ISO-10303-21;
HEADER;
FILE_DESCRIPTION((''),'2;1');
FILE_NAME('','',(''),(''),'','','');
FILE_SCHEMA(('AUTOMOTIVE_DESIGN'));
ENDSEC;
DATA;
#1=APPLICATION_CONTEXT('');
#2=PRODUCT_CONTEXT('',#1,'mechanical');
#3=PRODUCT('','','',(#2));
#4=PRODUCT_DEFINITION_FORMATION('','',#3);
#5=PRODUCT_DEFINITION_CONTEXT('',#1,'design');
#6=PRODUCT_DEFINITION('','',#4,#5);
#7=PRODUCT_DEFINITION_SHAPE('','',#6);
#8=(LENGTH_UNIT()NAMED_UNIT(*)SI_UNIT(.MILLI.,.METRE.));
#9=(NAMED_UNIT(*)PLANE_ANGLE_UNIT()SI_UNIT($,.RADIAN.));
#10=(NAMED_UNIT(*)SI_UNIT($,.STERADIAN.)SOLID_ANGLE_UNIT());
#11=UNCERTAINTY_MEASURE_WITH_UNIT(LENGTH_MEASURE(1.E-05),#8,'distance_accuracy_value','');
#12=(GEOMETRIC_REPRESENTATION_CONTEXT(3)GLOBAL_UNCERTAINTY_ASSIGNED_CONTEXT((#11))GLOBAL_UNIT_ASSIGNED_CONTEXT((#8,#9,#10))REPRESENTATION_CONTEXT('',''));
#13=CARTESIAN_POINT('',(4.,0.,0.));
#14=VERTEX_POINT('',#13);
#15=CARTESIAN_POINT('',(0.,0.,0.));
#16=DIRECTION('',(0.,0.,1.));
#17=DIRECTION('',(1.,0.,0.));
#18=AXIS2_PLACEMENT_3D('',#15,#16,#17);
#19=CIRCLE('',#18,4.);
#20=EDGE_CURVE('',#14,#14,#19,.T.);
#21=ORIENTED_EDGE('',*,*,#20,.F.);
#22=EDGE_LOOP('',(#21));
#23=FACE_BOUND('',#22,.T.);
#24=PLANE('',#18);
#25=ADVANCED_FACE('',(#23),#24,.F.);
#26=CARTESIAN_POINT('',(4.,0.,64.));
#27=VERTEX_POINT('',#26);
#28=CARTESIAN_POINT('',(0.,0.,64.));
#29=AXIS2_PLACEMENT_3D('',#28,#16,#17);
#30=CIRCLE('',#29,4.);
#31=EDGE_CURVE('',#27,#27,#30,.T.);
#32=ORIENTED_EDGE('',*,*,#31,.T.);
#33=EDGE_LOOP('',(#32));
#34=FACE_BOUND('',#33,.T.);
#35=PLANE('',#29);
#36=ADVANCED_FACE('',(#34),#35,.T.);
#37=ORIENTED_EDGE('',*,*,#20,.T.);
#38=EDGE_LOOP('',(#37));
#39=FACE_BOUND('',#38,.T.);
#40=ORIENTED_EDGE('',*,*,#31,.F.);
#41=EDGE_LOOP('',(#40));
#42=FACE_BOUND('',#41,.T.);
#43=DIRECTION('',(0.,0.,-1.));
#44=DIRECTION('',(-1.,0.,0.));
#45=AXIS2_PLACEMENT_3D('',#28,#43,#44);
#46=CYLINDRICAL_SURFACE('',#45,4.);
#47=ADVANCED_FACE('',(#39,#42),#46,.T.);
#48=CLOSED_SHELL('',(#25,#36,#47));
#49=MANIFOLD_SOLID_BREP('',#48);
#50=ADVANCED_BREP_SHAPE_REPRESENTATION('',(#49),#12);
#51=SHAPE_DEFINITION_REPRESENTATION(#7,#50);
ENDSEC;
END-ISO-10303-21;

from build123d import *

# Parameters (mm, degrees)
SKETCH_1_R      = 4
EXTRUDE_1_DEPTH = 64


with BuildPart() as part:
    # 草图1 → 凸台-拉伸1 (new body)
    with BuildSketch(Plane.XY):
        Circle(SKETCH_1_R)
    extrude(amount=EXTRUDE_1_DEPTH)


solid = part.part
